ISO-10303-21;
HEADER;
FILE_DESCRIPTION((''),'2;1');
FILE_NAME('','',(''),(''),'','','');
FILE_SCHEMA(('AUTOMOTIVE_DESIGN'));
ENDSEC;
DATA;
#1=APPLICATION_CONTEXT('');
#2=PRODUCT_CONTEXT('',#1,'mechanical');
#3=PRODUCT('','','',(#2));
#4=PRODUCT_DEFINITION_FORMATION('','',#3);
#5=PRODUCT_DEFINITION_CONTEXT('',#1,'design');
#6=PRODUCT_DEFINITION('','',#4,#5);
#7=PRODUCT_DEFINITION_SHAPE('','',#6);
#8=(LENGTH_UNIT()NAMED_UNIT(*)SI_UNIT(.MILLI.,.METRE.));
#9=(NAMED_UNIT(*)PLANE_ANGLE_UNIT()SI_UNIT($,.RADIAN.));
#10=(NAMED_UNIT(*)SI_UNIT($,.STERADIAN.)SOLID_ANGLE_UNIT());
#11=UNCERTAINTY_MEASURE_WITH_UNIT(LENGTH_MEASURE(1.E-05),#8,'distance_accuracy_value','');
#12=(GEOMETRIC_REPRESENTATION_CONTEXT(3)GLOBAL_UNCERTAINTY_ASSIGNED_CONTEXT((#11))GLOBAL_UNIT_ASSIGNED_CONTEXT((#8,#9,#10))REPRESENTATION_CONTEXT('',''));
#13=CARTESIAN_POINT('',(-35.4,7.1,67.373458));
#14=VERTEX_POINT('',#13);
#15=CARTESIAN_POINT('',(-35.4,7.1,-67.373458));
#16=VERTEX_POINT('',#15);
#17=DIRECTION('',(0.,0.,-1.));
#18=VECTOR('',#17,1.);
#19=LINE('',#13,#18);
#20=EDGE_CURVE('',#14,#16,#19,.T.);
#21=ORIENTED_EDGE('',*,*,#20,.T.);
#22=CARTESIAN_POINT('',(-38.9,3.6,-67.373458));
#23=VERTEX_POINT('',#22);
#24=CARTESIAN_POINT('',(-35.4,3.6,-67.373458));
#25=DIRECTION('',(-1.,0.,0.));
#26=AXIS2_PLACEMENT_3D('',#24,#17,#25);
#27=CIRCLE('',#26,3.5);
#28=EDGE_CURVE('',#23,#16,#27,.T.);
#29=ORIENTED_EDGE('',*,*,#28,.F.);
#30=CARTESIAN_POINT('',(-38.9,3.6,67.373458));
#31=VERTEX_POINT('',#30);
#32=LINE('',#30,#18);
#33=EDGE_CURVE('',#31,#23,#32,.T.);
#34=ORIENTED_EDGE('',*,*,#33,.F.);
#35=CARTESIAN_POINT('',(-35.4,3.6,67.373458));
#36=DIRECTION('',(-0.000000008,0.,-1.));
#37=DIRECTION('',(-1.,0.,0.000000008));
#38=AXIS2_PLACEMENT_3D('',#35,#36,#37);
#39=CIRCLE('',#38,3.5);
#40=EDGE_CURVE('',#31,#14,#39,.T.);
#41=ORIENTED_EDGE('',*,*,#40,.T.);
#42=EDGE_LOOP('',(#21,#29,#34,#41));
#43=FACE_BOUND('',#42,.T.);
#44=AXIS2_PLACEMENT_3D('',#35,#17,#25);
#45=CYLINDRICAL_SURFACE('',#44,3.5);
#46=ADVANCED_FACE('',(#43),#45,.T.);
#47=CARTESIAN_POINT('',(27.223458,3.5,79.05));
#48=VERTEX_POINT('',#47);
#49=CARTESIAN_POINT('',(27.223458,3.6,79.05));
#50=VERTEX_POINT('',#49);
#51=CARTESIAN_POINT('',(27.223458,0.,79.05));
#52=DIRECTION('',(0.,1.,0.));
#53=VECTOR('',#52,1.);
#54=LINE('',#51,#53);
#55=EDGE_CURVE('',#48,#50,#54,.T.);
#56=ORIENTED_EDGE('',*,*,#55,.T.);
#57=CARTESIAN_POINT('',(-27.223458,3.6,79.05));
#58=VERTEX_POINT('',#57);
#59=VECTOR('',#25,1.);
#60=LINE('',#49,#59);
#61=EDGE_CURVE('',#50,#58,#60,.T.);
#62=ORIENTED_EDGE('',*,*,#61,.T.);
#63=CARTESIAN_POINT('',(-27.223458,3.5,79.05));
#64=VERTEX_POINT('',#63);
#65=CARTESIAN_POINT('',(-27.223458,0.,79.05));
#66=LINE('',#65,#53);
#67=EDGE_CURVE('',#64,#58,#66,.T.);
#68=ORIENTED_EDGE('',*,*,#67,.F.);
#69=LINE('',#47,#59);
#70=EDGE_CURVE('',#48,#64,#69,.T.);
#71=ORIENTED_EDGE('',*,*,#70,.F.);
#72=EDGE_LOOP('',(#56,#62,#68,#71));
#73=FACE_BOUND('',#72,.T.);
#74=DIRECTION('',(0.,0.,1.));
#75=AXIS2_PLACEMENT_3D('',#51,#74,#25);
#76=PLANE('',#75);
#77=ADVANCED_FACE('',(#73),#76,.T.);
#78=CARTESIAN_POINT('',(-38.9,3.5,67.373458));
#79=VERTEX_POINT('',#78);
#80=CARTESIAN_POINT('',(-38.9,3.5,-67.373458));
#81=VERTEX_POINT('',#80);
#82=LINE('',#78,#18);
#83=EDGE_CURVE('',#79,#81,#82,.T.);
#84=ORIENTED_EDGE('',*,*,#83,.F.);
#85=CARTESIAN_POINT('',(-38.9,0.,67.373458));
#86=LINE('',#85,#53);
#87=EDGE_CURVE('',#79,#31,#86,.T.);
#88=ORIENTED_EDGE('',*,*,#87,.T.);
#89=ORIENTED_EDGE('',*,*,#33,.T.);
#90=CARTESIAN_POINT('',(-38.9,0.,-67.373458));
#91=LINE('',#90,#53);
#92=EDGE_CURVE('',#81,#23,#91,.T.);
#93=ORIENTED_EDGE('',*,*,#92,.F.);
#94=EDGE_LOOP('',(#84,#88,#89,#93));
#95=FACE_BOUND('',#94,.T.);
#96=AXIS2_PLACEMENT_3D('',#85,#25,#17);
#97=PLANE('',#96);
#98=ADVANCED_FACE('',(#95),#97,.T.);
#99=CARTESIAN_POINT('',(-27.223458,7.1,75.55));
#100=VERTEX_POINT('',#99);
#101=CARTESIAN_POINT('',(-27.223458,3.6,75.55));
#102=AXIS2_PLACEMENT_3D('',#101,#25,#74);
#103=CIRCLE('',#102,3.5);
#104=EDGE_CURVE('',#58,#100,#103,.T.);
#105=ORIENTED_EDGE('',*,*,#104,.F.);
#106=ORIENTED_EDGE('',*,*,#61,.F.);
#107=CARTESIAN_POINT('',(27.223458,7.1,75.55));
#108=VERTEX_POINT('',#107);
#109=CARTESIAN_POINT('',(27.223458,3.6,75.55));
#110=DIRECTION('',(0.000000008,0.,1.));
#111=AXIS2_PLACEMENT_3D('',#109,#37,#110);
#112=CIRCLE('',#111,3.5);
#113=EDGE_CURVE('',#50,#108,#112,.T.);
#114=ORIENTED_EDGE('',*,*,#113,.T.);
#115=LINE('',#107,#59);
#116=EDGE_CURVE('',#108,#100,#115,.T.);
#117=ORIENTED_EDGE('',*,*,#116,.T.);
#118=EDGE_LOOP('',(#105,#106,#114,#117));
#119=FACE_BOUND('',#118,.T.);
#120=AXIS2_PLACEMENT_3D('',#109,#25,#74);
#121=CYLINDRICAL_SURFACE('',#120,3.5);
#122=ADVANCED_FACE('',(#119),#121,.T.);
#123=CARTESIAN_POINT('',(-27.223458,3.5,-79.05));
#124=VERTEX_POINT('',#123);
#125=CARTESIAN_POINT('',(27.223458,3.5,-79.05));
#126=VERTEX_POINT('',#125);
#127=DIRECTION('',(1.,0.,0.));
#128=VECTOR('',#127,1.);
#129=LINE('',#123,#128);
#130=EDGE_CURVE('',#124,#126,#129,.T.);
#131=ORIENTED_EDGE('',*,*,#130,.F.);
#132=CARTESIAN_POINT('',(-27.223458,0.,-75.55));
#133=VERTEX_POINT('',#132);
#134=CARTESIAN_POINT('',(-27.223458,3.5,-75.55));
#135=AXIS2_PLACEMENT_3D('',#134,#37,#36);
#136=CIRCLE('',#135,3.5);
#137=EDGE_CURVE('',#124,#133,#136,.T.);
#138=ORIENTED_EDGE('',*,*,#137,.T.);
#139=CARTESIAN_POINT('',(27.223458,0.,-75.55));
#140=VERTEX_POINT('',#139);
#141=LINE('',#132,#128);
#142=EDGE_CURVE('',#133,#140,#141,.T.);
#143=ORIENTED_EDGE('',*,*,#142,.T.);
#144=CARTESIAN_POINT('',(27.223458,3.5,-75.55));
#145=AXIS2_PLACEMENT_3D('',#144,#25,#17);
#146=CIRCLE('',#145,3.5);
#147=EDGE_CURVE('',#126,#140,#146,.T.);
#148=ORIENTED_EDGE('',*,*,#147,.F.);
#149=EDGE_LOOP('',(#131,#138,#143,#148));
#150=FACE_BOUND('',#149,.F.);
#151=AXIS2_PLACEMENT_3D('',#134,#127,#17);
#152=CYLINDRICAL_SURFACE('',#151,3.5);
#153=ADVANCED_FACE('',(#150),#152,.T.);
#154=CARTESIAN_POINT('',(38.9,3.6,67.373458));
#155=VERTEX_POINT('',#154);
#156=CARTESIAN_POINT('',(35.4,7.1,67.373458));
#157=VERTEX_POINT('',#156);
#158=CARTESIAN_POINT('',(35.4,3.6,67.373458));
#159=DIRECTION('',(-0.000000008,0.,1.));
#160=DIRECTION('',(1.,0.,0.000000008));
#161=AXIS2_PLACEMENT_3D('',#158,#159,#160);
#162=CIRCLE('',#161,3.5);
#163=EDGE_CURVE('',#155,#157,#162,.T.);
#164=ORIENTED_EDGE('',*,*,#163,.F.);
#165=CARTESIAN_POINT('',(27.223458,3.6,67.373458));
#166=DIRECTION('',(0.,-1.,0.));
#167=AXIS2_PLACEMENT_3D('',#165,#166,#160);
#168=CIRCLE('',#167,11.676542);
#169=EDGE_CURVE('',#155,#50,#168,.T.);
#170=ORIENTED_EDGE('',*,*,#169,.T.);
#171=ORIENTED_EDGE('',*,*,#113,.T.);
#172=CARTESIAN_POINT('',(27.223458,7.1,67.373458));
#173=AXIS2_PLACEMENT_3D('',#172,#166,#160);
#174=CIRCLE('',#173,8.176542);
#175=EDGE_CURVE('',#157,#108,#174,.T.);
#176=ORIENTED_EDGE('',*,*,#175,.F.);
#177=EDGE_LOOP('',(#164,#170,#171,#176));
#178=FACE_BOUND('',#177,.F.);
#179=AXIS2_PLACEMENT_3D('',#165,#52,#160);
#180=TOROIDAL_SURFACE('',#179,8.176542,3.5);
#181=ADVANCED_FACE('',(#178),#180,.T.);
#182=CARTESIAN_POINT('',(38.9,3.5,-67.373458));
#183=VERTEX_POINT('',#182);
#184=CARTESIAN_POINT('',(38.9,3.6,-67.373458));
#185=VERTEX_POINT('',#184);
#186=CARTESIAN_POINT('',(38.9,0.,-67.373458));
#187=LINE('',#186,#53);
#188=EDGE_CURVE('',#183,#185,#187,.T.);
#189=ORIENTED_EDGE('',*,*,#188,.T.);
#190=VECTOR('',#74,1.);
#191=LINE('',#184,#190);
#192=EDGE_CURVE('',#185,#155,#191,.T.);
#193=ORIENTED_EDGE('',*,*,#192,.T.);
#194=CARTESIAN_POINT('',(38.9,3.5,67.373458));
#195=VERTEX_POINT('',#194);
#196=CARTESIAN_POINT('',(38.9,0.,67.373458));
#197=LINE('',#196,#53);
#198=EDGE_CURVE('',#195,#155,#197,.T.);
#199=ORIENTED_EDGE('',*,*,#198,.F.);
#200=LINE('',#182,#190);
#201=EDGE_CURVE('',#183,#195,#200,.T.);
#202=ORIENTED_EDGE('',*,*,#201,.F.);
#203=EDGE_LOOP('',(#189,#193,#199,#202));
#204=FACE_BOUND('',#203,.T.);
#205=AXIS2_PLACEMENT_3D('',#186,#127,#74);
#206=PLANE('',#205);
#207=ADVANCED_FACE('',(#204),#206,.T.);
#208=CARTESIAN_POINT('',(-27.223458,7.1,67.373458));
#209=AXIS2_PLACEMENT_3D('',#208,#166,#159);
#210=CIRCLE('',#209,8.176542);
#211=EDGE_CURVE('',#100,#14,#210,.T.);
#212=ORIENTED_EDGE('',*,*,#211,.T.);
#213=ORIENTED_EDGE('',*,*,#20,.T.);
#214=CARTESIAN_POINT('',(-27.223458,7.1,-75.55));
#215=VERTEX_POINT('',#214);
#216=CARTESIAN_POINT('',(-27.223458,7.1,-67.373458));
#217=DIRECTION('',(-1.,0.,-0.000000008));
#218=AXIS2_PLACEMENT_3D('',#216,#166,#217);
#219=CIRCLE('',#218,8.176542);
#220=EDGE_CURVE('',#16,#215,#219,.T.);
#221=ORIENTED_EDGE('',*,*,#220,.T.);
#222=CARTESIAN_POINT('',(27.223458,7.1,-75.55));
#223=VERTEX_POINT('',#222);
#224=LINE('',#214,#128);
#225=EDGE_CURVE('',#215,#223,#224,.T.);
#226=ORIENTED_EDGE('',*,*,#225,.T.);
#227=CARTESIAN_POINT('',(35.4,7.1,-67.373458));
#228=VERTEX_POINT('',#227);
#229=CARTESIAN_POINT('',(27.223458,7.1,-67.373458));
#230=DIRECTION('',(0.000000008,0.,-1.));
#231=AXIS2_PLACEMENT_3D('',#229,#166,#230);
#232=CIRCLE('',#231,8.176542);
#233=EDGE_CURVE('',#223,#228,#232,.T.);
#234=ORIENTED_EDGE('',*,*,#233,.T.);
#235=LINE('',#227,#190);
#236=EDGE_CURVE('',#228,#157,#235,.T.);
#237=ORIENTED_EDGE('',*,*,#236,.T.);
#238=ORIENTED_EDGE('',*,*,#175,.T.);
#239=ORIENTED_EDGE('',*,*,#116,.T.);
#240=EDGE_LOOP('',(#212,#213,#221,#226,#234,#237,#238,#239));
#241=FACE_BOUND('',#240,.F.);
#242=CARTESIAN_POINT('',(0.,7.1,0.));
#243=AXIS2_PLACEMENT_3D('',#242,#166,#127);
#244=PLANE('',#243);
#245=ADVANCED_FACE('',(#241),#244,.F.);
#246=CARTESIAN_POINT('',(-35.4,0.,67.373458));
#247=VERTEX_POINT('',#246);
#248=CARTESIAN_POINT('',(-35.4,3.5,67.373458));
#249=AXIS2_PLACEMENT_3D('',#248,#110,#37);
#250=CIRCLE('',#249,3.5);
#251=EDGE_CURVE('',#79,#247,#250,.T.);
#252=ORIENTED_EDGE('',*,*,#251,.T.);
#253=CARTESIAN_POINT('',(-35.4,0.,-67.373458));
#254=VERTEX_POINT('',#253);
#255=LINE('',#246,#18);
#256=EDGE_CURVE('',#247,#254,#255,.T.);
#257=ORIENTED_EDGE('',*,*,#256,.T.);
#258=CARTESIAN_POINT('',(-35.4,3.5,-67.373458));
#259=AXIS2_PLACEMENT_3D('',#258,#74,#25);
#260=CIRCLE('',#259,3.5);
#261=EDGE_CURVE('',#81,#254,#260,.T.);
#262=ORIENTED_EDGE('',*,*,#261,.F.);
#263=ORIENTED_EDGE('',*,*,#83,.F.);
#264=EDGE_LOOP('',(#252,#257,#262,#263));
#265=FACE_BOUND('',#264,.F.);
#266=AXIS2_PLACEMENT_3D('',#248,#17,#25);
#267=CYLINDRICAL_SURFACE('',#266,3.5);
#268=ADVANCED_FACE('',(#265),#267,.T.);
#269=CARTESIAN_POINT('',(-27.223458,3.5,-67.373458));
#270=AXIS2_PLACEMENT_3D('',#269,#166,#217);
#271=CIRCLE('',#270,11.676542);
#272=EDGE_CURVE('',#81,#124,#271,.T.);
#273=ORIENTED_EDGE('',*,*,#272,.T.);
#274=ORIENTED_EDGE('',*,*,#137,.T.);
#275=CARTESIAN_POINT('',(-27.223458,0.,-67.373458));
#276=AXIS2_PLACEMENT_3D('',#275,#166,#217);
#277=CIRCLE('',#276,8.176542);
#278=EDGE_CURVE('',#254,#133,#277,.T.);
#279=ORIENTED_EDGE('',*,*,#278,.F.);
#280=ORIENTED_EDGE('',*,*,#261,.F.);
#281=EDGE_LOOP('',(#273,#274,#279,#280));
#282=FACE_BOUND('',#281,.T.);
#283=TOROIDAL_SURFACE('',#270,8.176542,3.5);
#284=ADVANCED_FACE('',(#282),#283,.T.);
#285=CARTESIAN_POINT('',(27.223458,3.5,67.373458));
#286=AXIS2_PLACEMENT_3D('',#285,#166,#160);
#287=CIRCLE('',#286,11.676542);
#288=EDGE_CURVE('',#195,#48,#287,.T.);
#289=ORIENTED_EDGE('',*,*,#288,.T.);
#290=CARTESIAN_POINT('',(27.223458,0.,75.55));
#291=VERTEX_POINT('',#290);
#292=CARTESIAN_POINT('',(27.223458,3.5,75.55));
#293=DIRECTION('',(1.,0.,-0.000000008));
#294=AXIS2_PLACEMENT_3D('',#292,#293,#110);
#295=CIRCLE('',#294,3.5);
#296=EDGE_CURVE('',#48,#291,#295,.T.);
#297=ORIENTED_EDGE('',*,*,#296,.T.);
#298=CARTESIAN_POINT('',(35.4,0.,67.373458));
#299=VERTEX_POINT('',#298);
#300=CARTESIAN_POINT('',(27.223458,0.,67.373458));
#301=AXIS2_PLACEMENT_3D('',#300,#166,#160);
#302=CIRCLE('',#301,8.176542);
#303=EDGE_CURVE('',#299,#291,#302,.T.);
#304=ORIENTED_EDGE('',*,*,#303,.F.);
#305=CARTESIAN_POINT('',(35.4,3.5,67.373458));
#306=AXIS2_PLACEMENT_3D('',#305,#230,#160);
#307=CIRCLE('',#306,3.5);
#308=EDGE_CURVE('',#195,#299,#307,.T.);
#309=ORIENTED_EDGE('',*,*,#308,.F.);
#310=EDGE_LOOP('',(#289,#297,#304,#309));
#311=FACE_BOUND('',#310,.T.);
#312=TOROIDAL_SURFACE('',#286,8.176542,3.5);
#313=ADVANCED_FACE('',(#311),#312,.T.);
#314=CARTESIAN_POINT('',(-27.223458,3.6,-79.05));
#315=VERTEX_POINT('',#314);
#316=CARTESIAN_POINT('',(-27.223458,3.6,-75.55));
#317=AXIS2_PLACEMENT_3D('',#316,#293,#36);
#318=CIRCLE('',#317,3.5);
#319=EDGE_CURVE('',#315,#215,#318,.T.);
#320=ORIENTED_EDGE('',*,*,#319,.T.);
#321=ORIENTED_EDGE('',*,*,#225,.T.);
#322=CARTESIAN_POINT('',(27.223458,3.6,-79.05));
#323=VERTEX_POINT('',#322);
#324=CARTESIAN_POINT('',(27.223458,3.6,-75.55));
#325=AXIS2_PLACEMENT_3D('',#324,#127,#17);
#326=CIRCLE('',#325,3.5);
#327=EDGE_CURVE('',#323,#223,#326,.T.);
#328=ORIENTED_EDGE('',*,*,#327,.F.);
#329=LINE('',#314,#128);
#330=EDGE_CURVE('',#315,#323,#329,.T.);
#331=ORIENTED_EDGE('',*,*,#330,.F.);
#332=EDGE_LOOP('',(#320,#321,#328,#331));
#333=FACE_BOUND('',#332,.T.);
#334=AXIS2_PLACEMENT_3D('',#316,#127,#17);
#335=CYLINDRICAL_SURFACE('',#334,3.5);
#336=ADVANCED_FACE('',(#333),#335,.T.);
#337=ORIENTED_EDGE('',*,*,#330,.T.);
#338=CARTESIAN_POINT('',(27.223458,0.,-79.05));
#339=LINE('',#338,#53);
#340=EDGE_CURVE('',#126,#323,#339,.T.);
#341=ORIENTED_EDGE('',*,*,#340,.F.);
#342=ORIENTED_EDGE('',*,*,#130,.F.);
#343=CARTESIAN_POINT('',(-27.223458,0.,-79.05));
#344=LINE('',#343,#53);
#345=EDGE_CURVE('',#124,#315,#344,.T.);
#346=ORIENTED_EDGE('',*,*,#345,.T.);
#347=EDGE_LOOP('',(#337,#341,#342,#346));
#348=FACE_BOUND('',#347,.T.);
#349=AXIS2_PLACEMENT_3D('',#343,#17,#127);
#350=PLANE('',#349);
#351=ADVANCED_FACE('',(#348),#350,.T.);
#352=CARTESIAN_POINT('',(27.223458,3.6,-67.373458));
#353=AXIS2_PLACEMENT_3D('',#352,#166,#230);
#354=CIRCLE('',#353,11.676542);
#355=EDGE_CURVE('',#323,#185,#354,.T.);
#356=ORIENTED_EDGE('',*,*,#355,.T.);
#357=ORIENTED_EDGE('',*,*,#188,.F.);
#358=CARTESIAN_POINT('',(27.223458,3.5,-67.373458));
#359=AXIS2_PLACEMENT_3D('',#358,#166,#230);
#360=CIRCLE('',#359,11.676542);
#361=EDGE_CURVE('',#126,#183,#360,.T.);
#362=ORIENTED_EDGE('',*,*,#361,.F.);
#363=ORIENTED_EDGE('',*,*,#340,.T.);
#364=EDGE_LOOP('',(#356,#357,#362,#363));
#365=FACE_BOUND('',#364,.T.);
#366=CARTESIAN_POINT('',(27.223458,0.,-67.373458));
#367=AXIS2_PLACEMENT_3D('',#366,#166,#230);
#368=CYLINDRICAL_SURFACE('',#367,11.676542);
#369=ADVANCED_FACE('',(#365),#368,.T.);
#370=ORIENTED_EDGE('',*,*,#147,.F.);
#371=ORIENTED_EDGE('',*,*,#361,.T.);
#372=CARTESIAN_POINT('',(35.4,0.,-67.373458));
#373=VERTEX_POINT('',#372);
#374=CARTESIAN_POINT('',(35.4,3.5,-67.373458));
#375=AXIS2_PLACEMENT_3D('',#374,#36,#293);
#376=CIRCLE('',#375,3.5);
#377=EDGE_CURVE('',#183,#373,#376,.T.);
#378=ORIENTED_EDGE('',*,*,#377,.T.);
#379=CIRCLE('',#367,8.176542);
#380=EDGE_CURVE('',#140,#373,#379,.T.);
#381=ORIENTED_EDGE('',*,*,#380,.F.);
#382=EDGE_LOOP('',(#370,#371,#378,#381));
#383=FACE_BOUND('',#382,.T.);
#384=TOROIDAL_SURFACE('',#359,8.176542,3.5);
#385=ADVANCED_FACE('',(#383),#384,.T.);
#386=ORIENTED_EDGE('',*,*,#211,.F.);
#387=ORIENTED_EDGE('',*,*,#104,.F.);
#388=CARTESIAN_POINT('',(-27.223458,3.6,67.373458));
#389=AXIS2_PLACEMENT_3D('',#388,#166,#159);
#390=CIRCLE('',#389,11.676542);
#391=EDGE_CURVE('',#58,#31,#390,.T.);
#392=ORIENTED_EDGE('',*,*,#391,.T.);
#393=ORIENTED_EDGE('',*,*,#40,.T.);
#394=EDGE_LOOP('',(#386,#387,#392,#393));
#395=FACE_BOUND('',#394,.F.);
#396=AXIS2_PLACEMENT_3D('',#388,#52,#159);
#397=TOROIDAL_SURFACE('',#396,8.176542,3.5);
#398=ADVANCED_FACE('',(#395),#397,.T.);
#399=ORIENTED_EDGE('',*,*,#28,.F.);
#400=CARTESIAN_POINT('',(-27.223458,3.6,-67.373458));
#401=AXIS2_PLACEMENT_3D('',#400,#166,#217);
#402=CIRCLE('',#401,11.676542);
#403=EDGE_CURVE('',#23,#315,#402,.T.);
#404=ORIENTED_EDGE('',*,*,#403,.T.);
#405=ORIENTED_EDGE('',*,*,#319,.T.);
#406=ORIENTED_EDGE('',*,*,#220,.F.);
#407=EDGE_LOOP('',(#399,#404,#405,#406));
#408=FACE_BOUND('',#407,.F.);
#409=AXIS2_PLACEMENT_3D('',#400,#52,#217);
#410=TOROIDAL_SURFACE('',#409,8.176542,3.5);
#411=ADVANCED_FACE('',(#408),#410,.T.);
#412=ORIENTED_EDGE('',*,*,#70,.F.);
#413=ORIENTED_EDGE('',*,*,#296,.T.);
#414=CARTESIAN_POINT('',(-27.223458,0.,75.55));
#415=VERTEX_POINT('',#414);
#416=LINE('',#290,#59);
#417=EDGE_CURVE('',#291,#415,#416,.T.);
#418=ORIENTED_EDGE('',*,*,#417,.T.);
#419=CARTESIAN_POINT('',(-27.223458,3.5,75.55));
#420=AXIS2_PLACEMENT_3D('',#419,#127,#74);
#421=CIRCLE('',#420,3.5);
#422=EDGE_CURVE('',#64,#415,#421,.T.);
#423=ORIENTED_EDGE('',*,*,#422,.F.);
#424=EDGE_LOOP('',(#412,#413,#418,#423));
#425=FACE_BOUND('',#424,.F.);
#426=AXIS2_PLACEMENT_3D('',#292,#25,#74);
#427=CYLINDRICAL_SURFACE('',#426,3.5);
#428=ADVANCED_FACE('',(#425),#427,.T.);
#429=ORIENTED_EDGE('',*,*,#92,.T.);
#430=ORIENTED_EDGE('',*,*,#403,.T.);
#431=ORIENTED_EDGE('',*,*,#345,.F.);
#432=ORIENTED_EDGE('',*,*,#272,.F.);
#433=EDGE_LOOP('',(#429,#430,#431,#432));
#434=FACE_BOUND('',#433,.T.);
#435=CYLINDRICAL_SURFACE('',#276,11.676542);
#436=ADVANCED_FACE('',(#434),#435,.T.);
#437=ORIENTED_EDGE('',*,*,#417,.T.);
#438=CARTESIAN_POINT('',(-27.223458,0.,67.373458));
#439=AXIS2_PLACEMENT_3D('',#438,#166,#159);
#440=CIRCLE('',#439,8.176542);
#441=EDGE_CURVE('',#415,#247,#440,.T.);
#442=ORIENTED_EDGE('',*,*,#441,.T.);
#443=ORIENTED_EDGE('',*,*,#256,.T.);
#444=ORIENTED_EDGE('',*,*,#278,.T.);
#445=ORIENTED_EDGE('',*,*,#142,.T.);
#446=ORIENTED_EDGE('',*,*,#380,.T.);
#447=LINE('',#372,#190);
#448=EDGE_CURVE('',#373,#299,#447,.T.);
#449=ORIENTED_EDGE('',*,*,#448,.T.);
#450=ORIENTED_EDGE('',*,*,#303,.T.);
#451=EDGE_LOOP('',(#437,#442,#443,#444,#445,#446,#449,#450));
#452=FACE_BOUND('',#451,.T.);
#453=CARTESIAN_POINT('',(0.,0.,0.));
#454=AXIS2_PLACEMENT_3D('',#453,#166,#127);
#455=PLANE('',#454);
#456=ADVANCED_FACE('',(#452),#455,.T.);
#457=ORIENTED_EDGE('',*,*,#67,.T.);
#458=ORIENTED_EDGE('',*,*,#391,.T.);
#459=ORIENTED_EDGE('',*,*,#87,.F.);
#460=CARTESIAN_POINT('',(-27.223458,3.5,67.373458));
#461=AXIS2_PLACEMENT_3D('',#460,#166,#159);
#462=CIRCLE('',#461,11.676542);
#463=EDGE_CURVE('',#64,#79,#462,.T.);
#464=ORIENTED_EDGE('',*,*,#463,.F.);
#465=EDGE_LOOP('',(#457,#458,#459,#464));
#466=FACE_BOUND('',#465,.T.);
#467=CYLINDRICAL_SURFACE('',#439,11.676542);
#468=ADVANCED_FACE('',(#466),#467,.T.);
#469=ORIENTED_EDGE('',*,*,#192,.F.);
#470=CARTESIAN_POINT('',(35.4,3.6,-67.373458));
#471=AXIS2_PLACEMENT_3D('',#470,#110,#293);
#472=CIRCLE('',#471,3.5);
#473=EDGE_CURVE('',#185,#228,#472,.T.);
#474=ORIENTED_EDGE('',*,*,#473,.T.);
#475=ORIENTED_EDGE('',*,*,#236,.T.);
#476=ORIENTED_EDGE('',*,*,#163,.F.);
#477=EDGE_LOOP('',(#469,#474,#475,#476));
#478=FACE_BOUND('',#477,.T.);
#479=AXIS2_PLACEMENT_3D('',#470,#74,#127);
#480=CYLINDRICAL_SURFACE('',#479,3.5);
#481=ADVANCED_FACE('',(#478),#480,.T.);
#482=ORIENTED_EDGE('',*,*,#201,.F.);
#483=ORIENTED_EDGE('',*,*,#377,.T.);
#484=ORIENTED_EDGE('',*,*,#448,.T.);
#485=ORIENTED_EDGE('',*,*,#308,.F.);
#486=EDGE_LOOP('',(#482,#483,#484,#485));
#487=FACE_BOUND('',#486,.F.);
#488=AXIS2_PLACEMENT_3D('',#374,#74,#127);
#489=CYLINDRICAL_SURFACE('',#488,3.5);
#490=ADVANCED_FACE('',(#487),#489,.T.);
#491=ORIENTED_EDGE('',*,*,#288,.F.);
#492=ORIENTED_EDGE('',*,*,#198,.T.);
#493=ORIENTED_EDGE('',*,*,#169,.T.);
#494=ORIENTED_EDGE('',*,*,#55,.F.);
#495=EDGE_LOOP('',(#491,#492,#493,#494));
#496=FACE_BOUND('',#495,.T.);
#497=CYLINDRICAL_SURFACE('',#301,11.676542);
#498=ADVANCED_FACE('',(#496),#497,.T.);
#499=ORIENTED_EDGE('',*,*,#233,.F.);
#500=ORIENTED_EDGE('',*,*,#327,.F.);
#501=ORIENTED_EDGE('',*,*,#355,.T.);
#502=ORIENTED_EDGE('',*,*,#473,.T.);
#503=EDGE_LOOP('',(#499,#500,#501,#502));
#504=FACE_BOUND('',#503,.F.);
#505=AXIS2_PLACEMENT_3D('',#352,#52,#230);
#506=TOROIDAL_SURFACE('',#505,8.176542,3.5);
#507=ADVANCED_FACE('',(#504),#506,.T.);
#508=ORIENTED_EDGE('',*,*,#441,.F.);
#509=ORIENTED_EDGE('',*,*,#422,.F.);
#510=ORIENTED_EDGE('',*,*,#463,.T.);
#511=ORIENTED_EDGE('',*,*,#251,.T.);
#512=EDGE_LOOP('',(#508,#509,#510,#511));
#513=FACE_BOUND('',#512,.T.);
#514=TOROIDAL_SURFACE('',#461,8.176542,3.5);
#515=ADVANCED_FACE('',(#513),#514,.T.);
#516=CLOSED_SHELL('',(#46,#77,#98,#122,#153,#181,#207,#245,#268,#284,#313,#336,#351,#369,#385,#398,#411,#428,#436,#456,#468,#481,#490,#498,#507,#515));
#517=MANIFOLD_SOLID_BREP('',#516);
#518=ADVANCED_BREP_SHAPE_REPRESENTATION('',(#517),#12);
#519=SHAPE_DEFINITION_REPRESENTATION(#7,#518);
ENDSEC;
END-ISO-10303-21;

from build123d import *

# Parameters (mm, degrees)
F1_DEPTH = 7.1
F2_R     = 3.5


with BuildPart() as f1:
    # F0 (on Front) → F1 (new body)
    with BuildSketch(Plane.XZ):
        with BuildLine():
            Line((27.223458, 79.05), (-27.223458, 79.05))
            ThreePointArc((-27.223458, 79.05), (-35.48002, 75.63002), (-38.9, 67.373458))
            Line((-38.9, 67.373458), (-38.9, -67.373458))
            ThreePointArc((-38.9, -67.373458), (-35.48002, -75.63002), (-27.223458, -79.05))
            Line((-27.223458, -79.05), (27.223458, -79.05))
            ThreePointArc((27.223458, -79.05), (35.48002, -75.63002), (38.9, -67.373458))
            Line((38.9, -67.373458), (38.9, 67.373458))
            ThreePointArc((38.9, 67.373458), (35.48002, 75.63002), (27.223458, 79.05))
        make_face()
    extrude(amount=-F1_DEPTH)

    # F2
    f2_edges = [f1.edges().sort_by_distance(p)[0] for p in [
        (35.48002, 0, 75.63002),
        (0, 0, 79.05),
        (-35.48002, 0, 75.63002),
        (-38.9, 0, 0),
        (-35.48002, 0, -75.63002),
        (0, 0, -79.05),
        (35.48002, 0, -75.63002),
        (38.9, 0, 0),
        (35.48002, 7.1, 75.63002),
        (0, 7.1, 79.05),
        (-35.48002, 7.1, 75.63002),
        (-38.9, 7.1, 0),
        (-35.48002, 7.1, -75.63002),
        (0, 7.1, -79.05),
        (35.48002, 7.1, -75.63002),
        (38.9, 7.1, 0),
    ]]
    fillet(f2_edges, radius=F2_R)


solid = f1.part
